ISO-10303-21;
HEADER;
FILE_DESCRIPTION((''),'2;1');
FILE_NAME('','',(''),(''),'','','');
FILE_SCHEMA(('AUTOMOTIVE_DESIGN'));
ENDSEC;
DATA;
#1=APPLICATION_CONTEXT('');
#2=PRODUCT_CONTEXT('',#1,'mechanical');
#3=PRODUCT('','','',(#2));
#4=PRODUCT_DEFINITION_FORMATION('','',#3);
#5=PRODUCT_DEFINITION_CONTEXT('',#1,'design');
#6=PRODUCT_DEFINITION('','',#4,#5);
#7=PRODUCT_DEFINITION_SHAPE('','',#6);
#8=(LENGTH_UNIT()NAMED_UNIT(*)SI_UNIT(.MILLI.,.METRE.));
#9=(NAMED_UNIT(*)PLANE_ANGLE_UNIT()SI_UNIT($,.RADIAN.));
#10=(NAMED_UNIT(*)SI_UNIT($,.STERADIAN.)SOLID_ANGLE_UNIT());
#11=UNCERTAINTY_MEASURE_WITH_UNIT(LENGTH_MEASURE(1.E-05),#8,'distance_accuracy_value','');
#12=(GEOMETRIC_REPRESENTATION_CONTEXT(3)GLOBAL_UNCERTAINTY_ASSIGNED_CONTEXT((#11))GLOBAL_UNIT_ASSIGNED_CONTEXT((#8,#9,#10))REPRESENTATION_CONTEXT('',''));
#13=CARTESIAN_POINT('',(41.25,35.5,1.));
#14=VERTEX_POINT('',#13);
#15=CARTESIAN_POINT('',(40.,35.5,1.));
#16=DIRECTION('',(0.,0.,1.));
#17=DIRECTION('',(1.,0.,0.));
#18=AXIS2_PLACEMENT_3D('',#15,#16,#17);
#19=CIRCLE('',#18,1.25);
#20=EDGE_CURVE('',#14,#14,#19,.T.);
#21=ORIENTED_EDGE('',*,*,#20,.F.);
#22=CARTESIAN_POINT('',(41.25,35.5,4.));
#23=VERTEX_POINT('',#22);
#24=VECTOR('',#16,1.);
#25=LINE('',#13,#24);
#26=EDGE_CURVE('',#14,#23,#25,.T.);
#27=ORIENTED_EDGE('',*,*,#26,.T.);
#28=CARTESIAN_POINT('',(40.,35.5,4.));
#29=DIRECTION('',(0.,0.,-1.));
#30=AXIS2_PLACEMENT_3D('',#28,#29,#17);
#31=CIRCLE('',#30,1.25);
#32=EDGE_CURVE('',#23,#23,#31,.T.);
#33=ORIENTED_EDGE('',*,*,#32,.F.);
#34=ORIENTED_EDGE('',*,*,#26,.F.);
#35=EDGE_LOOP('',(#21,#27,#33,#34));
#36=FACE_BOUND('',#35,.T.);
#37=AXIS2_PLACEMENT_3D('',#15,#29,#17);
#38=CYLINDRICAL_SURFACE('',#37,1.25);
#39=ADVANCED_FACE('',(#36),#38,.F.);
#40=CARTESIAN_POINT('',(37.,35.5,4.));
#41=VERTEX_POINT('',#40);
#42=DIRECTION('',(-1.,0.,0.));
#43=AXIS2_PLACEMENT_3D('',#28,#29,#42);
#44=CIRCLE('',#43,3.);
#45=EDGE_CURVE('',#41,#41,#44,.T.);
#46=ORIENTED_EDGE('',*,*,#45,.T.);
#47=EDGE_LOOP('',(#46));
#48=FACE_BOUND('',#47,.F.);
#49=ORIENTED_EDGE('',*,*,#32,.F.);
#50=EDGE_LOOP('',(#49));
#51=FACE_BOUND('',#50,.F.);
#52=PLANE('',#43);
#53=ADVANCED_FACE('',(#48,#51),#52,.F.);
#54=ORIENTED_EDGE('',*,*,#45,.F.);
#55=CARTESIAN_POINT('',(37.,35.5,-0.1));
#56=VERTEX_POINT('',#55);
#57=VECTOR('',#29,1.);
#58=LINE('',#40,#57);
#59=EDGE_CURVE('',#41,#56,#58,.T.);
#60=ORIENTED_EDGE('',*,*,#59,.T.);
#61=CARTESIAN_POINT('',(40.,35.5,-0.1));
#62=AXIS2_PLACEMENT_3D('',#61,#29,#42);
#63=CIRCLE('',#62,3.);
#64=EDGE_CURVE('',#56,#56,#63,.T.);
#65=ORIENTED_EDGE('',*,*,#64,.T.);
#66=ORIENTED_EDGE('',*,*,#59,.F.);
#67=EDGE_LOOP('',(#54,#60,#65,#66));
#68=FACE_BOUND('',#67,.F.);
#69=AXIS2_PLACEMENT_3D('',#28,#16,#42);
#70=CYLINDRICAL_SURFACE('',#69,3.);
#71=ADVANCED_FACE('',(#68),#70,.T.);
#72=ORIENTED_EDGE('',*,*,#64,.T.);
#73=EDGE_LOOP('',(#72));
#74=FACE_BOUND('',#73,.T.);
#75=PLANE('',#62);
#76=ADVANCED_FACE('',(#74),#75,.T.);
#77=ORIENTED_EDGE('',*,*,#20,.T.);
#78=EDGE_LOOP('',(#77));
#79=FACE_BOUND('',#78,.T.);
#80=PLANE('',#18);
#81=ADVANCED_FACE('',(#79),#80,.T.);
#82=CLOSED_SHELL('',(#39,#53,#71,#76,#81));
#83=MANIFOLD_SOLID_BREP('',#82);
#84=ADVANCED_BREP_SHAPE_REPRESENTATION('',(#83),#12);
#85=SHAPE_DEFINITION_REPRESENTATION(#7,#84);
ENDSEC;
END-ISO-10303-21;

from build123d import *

# Parameters (mm, degrees)
CYLINDER086_R          = 1.25
CYLINDER086_DEPTH      = 5
CYLINDER087_R          = 3
CYLINDER087_DEPTH      = 4.1
CUT044_PLACEMENT_ANGLE = 90


with BuildPart() as b_w021:
    # Cylinder086 → Cylinder086 (new body)
    with BuildSketch(Plane(origin=(2, 6, 26), x_dir=(0, 0, 1), z_dir=(-1, 0, 0))):
        Circle(CYLINDER086_R)
    extrude(amount=CYLINDER086_DEPTH)


with BuildPart() as h_n:
    # Cylinder087 → Cylinder087 (new body)
    with BuildSketch(Plane(origin=(-1, 6, 26), x_dir=(0, 0, -1), z_dir=(1, 0, 0))):
        Circle(CYLINDER087_R)
    extrude(amount=CYLINDER087_DEPTH)

    # Cut044: cut B_W021
    add(b_w021.part, mode=Mode.SUBTRACT)


with BuildPart() as h_n_1:
    # Cut044 placement: moved
    add(h_n.part.moved(Location((14, 29.5, 3))).rotate(Axis((14, 29.5, 3), (0, 1, 0)), CUT044_PLACEMENT_ANGLE))


solid = h_n_1.part
